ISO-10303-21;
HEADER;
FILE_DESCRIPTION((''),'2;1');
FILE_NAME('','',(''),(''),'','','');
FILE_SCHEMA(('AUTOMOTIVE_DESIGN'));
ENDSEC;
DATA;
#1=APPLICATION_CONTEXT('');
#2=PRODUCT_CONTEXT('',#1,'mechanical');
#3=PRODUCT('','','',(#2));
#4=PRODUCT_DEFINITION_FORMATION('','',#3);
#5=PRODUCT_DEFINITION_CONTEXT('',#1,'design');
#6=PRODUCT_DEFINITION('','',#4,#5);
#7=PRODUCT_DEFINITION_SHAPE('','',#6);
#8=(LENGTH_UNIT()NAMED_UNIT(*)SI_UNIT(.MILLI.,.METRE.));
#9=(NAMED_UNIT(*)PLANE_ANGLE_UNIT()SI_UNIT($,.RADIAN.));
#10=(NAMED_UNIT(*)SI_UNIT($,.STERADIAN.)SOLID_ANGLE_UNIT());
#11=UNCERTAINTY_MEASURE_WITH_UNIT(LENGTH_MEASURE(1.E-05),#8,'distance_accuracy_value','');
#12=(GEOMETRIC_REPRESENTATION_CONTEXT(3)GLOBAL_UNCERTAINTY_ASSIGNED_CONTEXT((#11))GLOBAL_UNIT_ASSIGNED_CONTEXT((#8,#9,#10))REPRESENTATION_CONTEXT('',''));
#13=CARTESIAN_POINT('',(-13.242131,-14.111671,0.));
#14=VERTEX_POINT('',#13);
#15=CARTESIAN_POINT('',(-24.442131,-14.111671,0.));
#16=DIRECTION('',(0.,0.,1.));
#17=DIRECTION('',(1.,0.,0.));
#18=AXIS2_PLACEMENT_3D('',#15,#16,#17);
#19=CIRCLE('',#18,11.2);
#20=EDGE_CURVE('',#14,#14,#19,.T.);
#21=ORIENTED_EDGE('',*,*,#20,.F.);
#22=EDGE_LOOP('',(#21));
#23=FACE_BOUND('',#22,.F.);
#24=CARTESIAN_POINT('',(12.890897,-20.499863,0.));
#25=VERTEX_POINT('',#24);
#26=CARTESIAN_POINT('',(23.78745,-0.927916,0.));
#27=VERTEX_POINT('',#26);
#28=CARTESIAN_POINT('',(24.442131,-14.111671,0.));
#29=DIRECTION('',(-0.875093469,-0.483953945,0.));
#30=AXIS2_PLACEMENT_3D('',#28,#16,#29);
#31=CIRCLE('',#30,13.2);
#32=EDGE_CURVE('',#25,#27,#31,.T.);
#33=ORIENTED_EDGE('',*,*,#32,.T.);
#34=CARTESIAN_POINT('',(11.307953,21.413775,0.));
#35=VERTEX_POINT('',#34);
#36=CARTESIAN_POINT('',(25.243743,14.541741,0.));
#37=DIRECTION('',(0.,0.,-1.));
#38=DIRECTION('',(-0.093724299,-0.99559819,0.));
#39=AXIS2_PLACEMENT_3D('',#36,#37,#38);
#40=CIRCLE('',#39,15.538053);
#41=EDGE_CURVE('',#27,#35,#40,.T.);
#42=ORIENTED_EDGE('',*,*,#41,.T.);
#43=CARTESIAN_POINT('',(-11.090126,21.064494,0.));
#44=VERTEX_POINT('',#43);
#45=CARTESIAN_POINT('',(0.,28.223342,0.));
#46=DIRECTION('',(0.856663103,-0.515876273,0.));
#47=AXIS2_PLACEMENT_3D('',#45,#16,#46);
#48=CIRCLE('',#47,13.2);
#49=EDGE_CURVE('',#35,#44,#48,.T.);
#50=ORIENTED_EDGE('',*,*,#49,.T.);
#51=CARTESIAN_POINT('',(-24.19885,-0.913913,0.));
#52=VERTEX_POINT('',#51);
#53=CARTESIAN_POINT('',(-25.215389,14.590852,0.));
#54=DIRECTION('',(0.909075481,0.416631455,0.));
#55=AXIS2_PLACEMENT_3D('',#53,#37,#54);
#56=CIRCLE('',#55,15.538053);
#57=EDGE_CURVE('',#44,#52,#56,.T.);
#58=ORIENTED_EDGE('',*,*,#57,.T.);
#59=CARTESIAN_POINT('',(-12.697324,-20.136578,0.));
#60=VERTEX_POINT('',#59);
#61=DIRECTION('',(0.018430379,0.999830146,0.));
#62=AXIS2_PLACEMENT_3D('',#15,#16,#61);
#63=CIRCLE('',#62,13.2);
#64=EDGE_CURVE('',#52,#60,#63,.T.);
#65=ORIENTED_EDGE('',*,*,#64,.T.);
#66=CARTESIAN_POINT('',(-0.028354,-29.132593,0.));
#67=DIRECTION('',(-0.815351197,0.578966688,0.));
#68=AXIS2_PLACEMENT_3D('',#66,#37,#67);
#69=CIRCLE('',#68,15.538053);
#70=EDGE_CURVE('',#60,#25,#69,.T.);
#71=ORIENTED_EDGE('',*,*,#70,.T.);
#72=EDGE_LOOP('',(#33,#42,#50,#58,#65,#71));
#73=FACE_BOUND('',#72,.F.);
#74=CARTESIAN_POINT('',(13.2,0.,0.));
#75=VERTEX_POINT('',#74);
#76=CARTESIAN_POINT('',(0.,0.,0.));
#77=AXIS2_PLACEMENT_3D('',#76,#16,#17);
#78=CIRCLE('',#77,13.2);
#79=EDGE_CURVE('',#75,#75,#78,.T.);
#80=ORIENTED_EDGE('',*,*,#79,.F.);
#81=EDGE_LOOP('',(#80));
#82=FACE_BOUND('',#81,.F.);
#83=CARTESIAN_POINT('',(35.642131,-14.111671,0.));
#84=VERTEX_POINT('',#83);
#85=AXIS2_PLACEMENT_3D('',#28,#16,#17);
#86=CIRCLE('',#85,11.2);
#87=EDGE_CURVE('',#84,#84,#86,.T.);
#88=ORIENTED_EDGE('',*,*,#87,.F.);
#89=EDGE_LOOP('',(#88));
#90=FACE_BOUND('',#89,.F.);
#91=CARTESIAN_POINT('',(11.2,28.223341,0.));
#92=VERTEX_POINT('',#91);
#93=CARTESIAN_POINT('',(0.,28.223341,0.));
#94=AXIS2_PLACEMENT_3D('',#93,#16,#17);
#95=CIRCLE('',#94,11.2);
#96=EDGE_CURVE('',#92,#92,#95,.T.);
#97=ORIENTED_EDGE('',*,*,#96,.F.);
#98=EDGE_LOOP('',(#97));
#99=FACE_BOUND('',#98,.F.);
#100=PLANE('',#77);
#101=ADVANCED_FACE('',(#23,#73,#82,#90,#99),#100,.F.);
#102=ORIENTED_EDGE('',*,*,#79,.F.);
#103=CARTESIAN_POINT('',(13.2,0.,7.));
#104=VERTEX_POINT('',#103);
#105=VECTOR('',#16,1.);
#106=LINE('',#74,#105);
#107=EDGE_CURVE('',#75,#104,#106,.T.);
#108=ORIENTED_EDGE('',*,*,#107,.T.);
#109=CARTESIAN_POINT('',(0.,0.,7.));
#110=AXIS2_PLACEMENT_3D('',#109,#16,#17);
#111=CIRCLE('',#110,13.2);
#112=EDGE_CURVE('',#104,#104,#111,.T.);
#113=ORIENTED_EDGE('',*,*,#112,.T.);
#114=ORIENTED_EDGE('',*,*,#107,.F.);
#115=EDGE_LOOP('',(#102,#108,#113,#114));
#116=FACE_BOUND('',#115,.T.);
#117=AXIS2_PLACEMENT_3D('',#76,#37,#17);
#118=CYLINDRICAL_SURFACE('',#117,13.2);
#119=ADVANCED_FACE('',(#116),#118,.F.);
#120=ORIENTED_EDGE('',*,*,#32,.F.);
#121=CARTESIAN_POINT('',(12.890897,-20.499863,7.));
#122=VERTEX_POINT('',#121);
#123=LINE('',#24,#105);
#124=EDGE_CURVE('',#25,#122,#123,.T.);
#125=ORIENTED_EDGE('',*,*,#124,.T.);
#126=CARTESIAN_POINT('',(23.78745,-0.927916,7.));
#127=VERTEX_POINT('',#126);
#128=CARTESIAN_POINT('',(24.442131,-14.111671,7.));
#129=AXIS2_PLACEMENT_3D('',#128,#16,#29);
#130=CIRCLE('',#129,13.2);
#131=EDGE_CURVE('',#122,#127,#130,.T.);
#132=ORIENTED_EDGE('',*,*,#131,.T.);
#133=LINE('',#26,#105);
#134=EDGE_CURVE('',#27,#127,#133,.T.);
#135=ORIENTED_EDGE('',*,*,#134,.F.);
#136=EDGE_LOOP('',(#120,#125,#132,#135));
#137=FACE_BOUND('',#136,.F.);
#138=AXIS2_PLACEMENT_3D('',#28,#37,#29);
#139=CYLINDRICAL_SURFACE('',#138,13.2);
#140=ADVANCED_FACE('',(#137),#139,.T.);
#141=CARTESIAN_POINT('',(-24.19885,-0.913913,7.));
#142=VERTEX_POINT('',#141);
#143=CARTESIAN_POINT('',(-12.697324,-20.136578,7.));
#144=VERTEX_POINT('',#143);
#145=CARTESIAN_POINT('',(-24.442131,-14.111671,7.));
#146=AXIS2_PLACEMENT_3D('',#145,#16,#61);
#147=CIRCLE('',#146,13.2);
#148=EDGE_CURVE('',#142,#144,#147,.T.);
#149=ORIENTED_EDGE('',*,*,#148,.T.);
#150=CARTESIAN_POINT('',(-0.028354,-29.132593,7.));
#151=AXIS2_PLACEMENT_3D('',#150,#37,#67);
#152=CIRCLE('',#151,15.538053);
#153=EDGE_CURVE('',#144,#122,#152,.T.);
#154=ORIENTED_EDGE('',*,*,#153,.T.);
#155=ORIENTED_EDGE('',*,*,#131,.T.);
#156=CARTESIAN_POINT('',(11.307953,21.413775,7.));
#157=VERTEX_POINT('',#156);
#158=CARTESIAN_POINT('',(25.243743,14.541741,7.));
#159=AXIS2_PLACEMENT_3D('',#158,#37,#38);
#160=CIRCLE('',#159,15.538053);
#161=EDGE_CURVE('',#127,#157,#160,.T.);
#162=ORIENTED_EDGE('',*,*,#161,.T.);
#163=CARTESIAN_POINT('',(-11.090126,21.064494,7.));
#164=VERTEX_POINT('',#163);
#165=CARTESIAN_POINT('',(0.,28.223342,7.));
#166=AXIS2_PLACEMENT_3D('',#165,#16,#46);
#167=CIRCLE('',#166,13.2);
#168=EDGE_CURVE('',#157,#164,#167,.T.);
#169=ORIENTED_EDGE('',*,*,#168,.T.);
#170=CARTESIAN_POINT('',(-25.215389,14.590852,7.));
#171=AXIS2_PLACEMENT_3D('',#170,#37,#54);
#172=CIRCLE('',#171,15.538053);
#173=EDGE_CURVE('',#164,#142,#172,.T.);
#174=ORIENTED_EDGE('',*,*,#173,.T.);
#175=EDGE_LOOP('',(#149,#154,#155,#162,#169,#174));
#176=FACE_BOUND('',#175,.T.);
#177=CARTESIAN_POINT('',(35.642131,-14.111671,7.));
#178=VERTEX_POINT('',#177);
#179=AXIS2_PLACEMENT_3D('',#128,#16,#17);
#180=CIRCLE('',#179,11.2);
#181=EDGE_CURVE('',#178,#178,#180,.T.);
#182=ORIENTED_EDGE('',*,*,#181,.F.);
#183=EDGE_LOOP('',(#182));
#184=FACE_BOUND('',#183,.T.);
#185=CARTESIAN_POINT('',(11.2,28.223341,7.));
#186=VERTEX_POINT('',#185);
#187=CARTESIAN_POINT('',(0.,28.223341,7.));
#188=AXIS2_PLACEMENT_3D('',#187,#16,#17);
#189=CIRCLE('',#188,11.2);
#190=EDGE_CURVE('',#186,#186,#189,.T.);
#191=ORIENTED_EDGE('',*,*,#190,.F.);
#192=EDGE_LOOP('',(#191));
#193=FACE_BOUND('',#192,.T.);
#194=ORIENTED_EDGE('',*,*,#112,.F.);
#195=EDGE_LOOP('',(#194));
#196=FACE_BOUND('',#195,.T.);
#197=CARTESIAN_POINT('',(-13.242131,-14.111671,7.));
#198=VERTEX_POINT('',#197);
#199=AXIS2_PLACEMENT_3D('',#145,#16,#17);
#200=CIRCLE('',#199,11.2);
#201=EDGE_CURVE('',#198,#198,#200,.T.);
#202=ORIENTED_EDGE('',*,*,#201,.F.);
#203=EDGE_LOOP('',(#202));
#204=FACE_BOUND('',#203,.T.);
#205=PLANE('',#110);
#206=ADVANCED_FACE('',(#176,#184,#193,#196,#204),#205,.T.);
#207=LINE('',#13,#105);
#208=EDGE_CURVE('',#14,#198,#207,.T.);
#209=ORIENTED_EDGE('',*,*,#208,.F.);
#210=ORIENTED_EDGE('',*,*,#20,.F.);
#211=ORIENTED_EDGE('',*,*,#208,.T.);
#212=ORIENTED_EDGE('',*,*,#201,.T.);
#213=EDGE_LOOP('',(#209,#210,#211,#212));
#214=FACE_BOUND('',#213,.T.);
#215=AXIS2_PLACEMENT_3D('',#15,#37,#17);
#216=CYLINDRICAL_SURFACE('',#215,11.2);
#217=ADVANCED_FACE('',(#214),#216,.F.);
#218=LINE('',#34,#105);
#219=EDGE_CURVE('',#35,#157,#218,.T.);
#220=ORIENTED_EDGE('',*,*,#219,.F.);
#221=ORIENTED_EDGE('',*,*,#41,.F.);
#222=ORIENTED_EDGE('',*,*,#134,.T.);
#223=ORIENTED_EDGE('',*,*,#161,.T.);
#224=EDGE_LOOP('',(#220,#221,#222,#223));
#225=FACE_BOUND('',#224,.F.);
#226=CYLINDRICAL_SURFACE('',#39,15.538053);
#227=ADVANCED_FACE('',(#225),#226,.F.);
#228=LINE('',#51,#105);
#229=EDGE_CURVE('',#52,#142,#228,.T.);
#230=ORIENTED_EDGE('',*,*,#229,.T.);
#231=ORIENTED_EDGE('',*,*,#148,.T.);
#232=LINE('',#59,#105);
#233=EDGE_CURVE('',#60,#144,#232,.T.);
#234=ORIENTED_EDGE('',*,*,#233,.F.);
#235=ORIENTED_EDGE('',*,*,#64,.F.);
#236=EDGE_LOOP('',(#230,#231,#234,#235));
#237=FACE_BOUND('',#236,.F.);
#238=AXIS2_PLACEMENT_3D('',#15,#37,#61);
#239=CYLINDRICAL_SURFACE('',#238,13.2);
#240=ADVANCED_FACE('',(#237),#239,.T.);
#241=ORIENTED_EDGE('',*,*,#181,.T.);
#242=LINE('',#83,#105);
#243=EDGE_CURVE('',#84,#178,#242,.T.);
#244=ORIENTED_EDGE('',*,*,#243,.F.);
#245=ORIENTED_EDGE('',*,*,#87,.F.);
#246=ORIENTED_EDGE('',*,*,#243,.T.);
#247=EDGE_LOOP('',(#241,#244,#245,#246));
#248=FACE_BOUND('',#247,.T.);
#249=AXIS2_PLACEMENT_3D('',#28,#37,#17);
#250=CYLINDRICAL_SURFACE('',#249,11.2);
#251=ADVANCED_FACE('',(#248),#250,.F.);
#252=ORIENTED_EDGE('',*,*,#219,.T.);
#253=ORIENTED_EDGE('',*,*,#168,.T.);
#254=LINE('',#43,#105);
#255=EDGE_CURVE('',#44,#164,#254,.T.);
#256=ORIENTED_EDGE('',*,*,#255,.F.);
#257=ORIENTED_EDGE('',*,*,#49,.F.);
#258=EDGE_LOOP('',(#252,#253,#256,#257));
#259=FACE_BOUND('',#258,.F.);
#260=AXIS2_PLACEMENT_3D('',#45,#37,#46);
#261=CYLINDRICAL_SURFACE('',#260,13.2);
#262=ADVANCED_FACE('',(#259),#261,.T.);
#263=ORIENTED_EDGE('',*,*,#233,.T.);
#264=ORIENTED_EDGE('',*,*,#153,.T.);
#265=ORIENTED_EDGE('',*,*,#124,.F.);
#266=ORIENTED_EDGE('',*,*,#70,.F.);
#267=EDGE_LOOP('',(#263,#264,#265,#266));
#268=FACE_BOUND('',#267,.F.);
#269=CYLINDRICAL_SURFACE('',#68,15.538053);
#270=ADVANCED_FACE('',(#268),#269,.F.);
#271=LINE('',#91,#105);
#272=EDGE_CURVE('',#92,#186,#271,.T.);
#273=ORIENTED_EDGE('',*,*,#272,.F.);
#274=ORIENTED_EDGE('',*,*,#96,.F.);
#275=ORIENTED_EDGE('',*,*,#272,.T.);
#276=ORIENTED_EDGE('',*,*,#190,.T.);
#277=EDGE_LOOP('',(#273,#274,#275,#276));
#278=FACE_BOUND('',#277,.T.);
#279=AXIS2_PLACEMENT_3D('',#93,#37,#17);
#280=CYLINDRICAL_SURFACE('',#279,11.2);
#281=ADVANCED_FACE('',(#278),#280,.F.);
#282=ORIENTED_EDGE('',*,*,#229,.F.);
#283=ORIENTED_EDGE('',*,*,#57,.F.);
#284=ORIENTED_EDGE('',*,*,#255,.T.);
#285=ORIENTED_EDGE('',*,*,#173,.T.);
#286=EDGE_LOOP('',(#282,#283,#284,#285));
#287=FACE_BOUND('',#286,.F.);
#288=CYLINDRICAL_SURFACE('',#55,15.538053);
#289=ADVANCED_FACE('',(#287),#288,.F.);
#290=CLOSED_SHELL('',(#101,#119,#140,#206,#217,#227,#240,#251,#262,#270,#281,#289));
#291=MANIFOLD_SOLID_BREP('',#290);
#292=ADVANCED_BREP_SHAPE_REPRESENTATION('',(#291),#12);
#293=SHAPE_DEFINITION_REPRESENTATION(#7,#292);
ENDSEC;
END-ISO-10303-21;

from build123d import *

# Parameters (mm, degrees)
F0_R     = 11.2
F0_R_2   = 13.2
F1_DEPTH = 7


with BuildPart() as f1:
    # F0 (on Top) → F1 (new body)
    with BuildSketch(Plane.XY):
        with BuildLine():
            ThreePointArc((23.78745, -0.927916), (11.678462, 6.964523), (11.307953, 21.413775))
            ThreePointArc((11.307953, 21.413775), (-0.205819, 41.421737), (-11.090126, 21.064494))
            ThreePointArc((-11.090126, 21.064494), (-11.870685, 6.631583), (-24.19885, -0.913913))
            ThreePointArc((-24.19885, -0.913913), (-35.769367, -20.889113), (-12.697324, -20.136578))
            ThreePointArc((-12.697324, -20.136578), (0.192223, -13.596106), (12.890897, -20.499863))
            ThreePointArc((12.890897, -20.499863), (35.975186, -20.532624), (23.78745, -0.927916))
        make_face()
        with Locations((-24.442131, -14.111671)):
            Circle(F0_R, mode=Mode.SUBTRACT)
        with Locations((24.442131, -14.111671)):
            Circle(F0_R, mode=Mode.SUBTRACT)
        Circle(F0_R_2, mode=Mode.SUBTRACT)
        with Locations((0, 28.223341)):
            Circle(F0_R, mode=Mode.SUBTRACT)
    extrude(amount=F1_DEPTH)


solid = f1.part
